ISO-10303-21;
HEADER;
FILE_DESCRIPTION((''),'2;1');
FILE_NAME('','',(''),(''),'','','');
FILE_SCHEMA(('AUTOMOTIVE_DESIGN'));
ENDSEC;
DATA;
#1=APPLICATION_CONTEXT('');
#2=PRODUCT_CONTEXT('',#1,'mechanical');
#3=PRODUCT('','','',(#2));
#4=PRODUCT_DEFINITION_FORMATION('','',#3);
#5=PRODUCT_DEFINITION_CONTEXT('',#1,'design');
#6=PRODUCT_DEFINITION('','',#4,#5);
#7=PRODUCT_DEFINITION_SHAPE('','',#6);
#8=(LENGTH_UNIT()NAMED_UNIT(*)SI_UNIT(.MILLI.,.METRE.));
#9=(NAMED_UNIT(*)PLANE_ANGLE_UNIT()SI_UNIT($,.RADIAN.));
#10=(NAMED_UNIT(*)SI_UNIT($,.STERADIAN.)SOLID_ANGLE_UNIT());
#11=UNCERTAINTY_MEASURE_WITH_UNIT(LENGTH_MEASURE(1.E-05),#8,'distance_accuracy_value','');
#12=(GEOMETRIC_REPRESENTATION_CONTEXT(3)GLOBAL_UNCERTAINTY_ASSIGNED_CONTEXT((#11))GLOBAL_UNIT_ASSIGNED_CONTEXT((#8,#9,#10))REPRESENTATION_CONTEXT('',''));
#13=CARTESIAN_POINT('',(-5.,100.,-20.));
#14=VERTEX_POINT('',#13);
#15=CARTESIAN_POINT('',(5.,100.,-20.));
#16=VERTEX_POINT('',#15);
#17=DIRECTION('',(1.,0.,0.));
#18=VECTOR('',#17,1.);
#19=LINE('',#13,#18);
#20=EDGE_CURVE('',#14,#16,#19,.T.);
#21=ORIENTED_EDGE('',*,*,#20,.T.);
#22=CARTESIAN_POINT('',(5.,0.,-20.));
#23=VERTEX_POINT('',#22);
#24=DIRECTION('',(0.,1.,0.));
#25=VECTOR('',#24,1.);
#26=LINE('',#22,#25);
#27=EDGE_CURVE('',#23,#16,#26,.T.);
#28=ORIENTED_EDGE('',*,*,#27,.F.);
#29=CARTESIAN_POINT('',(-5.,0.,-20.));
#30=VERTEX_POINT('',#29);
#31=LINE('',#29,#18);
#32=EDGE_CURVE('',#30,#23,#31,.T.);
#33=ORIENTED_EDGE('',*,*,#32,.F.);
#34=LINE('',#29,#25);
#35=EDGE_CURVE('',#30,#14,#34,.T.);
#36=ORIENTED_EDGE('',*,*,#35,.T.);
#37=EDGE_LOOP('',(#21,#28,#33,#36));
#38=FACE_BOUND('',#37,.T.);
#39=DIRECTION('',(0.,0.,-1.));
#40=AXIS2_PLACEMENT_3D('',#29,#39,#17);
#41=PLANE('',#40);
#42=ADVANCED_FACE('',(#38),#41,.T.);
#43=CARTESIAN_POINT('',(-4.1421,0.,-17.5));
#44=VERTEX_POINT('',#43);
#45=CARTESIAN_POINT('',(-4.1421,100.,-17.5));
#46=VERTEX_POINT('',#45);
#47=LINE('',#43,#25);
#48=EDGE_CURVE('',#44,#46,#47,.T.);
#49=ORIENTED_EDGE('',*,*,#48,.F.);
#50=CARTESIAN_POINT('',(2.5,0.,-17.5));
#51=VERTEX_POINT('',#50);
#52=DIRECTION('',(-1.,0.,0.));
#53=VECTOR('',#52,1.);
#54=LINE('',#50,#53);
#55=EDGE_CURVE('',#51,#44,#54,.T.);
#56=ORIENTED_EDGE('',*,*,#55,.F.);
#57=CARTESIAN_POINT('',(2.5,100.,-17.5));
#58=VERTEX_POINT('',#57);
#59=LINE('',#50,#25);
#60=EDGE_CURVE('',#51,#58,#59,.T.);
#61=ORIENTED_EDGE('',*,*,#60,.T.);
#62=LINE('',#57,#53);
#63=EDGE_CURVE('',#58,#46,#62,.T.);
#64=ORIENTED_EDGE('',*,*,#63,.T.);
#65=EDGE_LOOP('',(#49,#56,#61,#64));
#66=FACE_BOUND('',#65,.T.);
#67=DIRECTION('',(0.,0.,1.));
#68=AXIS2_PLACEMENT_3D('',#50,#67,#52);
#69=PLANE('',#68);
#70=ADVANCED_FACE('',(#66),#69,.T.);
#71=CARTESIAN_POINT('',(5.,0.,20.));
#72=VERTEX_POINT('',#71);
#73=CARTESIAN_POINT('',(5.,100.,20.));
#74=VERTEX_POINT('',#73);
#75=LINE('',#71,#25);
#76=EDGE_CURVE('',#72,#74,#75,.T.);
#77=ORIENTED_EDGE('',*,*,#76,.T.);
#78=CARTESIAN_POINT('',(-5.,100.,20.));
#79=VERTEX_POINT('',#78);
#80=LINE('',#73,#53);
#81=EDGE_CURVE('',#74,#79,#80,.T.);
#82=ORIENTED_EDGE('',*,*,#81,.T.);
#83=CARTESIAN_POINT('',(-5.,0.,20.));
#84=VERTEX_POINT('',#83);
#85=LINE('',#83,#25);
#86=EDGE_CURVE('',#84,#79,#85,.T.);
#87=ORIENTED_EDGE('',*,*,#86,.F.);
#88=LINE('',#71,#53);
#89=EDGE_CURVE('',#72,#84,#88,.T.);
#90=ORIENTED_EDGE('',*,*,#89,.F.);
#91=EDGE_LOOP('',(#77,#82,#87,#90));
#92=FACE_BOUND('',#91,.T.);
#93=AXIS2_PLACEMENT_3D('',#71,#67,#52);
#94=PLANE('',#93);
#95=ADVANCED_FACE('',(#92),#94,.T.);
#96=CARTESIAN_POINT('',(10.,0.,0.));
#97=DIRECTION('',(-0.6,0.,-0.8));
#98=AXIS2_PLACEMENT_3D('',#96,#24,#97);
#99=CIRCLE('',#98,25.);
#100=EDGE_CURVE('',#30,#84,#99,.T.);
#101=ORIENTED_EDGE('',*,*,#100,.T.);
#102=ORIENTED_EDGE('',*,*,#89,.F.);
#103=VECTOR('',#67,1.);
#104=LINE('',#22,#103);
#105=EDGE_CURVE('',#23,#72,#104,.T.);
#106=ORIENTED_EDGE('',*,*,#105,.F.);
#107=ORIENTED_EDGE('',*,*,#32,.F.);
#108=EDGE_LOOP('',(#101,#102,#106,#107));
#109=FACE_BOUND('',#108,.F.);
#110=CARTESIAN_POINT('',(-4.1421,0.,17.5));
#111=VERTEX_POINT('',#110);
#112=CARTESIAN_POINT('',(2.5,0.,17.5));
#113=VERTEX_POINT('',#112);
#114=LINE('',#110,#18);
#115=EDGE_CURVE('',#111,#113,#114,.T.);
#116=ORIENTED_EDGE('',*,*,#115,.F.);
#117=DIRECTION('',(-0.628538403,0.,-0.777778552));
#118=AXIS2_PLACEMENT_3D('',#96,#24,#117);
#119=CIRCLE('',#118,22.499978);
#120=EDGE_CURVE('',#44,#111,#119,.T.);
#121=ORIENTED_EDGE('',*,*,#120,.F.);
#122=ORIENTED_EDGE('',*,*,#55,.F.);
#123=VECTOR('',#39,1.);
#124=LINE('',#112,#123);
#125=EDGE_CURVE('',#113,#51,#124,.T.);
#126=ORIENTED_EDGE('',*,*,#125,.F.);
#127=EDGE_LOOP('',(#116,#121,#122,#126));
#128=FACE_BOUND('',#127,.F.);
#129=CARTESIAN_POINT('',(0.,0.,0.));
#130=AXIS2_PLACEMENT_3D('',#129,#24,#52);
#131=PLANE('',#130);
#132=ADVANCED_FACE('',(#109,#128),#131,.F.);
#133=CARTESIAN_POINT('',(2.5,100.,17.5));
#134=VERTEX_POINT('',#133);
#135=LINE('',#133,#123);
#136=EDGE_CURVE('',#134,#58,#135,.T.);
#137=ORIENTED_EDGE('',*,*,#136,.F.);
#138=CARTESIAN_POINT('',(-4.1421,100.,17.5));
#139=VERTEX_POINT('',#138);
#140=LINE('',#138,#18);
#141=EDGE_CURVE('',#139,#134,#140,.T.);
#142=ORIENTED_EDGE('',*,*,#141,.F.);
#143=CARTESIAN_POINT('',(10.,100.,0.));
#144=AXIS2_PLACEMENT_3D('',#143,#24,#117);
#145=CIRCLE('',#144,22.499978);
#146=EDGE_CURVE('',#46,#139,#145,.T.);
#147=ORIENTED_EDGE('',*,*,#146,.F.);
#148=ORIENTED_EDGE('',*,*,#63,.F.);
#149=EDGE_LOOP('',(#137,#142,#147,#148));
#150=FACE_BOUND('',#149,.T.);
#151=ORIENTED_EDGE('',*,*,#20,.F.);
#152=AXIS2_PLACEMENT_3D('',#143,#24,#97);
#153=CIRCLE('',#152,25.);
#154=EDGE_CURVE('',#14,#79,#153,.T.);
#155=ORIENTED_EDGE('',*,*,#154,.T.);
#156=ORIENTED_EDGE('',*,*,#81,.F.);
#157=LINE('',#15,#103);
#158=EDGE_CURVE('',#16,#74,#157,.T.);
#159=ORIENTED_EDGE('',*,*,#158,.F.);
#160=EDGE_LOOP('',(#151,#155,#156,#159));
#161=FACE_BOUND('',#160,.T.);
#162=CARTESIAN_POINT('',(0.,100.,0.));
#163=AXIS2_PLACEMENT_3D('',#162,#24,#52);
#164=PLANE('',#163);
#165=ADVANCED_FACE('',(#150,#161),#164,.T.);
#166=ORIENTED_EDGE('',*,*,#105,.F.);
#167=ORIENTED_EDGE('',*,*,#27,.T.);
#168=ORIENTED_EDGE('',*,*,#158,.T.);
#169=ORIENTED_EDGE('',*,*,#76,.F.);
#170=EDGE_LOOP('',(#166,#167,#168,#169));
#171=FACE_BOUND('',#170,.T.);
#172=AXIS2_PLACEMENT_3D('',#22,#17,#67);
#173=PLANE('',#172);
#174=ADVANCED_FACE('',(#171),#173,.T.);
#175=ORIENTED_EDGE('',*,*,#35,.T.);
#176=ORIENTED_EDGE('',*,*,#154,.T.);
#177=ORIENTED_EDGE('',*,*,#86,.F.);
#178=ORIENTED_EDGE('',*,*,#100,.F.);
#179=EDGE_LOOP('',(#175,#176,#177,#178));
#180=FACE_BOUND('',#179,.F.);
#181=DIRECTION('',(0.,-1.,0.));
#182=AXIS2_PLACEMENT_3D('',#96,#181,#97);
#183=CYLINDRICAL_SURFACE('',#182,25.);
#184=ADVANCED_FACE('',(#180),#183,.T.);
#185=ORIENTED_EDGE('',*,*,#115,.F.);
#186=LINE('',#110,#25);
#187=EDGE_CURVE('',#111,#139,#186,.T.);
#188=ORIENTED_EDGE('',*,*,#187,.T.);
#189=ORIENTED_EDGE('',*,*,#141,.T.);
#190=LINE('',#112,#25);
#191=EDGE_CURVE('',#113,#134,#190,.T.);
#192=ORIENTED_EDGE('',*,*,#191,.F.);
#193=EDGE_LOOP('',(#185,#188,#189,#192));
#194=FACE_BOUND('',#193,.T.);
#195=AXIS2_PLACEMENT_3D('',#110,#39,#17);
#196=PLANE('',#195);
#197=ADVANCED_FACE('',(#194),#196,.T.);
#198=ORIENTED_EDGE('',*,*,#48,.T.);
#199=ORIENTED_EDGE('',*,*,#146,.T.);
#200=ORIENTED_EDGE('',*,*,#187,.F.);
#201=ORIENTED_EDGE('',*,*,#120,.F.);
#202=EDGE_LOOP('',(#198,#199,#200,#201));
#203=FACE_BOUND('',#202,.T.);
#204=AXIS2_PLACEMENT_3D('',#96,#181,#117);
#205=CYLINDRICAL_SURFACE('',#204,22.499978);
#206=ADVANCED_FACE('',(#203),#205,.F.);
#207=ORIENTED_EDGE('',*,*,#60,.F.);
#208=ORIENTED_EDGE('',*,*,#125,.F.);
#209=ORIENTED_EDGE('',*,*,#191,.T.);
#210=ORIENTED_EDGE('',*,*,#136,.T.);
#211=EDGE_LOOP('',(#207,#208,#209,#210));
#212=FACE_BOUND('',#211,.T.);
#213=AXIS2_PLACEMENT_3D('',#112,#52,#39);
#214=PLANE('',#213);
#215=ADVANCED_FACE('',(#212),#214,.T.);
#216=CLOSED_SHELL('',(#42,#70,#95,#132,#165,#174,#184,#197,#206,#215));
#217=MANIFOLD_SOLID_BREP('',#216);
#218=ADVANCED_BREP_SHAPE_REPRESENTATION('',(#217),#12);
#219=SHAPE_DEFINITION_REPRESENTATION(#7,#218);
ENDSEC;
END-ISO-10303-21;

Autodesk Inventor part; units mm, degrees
ref_plane "YZ Plane" through (0, 0, 0) normal (1, 0, 0) x (0, 1, 0)
ref_plane "XZ Plane" through (0, 0, 0) normal (0, 1, 0) x (-1, 0, 0)
ref_plane "XY Plane" through (0, 0, 0) normal (0, 0, 1) x (1, 0, 0)
sketch "Sketch1" plane through (0, 0, 0) normal (0, 1, 0) x (-1, 0, 0)
  line L0 (-5, 20) -> (5, 20)
  line L1 (5, 20) -> (5, -20) construction
  line L2 (5, -20) -> (-5, -20)
  line L3 (-5, -20) -> (-5, 20)
  line L4 (-5, 20) -> (5, -20) construction
  line L5 (5, 20) -> (-5, -20) construction
  arc A0 (5, -20) -> (5, 20) centre (-10, 0) ccw
  line L6 (-2.5, -17.5) -> (4.1421, -17.5)
  arc A1 (4.1421, -17.5) -> (4.1421, 17.5) centre (-10, 0) ccw
  line L7 (4.1421, 17.5) -> (-2.5, 17.5)
  line L8 (-2.5, 17.5) -> (-2.5, -17.5)
  point P0 (0, 0)
  dimension "d0" = 25
  dimension "d1" = 10
  dimension "d3" = 40
  dimension "d7" = 2.5
extrude "Extrusion1" add sketch "Sketch1" along normal blind 100
properties part number "Sanding Block"
